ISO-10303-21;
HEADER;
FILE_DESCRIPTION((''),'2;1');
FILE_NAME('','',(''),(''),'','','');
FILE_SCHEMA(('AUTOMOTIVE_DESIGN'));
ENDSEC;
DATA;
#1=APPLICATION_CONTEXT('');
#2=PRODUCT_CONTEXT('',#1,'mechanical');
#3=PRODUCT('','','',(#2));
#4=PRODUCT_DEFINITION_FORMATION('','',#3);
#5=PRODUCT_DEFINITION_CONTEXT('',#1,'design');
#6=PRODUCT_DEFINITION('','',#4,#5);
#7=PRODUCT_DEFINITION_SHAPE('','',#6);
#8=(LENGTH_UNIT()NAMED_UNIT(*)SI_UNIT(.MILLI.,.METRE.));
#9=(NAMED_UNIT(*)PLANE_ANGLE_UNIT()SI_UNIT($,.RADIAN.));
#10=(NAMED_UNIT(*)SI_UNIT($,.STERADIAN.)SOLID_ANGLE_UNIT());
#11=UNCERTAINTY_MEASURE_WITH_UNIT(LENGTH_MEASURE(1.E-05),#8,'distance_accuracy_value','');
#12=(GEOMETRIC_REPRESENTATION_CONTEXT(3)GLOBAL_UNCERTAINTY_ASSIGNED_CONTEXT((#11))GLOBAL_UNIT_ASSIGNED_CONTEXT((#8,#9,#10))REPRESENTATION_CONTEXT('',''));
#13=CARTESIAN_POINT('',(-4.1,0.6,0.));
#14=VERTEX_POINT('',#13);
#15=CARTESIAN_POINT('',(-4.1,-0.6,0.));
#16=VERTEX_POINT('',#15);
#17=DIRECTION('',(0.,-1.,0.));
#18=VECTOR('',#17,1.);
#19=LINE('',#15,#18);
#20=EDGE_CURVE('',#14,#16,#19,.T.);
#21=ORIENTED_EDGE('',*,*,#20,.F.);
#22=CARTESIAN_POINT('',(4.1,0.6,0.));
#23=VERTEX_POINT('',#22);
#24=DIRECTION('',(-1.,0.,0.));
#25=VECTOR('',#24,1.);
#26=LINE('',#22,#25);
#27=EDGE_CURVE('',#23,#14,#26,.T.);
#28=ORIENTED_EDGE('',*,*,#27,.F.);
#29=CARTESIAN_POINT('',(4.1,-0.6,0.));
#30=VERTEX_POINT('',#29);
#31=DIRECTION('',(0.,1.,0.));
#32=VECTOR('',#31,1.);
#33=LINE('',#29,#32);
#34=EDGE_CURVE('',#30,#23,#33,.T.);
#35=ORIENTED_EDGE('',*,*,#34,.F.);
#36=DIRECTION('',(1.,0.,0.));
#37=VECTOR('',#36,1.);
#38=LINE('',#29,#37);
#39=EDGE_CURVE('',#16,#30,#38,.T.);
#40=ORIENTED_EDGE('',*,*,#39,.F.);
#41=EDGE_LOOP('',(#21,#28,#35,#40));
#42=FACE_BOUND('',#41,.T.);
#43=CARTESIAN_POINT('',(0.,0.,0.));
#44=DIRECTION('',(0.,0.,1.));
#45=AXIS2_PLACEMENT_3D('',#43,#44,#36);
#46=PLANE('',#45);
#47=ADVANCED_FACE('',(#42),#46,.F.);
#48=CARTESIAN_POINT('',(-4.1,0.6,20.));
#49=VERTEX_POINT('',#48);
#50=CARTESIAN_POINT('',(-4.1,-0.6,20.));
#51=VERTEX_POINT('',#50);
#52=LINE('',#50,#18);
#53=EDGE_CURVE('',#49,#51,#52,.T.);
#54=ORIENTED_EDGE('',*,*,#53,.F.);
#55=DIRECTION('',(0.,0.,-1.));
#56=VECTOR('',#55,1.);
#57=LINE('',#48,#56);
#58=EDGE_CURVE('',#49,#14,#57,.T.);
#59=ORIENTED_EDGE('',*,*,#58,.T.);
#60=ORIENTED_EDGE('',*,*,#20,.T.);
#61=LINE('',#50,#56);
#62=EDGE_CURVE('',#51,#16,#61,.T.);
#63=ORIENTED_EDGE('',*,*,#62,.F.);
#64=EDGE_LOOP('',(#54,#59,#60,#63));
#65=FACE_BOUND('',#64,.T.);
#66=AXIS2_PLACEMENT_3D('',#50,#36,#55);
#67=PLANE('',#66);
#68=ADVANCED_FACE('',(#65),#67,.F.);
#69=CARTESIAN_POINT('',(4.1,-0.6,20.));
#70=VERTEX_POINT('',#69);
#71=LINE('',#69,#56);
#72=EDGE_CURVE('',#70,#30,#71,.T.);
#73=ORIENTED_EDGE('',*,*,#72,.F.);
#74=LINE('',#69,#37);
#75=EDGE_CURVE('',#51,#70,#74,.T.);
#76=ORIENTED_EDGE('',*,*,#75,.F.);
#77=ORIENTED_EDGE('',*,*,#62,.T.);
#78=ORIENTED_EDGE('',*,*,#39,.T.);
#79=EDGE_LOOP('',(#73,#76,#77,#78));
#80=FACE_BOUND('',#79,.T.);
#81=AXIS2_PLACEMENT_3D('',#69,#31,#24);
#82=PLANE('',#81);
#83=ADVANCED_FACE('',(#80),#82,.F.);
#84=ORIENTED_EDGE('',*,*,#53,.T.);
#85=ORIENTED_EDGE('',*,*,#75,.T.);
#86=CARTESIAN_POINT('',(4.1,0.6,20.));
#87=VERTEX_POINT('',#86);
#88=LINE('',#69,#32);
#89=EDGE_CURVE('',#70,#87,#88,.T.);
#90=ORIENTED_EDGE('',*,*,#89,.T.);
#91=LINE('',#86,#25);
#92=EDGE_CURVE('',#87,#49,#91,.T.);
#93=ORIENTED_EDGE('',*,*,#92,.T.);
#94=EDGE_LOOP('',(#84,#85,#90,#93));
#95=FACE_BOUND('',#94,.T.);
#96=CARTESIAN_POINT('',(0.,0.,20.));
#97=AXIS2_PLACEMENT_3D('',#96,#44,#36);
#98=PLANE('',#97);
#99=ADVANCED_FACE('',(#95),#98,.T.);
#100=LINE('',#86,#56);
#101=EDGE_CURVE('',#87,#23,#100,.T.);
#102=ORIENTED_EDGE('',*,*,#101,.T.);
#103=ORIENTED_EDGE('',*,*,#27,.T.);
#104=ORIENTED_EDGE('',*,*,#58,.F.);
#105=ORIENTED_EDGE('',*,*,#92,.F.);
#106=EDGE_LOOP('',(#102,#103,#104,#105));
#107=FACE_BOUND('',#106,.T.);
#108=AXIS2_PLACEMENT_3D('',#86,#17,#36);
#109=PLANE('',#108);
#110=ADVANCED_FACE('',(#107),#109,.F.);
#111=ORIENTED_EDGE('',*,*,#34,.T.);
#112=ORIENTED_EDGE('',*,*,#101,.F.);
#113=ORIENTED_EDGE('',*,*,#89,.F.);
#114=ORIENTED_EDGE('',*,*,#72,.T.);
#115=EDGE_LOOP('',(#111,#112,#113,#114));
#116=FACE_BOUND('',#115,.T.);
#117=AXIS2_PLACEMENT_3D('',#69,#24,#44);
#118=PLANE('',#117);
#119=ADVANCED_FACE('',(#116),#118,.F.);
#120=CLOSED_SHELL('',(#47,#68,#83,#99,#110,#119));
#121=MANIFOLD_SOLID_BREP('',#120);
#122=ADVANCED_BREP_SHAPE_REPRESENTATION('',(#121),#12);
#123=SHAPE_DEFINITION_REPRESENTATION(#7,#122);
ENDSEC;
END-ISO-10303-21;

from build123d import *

# Parameters (mm, degrees)
SCHIZZO1_W                   = 8.2
SCHIZZO1_H                   = 1.2
ESTRUSIONE_ESTRUSIONE1_DEPTH = 20


with BuildPart() as part:
    # Schizzo1 → Estrusione-Estrusione1 (new body)
    with BuildSketch(Plane.XY):
        Rectangle(SCHIZZO1_W, SCHIZZO1_H)
    extrude(amount=ESTRUSIONE_ESTRUSIONE1_DEPTH)


solid = part.part
